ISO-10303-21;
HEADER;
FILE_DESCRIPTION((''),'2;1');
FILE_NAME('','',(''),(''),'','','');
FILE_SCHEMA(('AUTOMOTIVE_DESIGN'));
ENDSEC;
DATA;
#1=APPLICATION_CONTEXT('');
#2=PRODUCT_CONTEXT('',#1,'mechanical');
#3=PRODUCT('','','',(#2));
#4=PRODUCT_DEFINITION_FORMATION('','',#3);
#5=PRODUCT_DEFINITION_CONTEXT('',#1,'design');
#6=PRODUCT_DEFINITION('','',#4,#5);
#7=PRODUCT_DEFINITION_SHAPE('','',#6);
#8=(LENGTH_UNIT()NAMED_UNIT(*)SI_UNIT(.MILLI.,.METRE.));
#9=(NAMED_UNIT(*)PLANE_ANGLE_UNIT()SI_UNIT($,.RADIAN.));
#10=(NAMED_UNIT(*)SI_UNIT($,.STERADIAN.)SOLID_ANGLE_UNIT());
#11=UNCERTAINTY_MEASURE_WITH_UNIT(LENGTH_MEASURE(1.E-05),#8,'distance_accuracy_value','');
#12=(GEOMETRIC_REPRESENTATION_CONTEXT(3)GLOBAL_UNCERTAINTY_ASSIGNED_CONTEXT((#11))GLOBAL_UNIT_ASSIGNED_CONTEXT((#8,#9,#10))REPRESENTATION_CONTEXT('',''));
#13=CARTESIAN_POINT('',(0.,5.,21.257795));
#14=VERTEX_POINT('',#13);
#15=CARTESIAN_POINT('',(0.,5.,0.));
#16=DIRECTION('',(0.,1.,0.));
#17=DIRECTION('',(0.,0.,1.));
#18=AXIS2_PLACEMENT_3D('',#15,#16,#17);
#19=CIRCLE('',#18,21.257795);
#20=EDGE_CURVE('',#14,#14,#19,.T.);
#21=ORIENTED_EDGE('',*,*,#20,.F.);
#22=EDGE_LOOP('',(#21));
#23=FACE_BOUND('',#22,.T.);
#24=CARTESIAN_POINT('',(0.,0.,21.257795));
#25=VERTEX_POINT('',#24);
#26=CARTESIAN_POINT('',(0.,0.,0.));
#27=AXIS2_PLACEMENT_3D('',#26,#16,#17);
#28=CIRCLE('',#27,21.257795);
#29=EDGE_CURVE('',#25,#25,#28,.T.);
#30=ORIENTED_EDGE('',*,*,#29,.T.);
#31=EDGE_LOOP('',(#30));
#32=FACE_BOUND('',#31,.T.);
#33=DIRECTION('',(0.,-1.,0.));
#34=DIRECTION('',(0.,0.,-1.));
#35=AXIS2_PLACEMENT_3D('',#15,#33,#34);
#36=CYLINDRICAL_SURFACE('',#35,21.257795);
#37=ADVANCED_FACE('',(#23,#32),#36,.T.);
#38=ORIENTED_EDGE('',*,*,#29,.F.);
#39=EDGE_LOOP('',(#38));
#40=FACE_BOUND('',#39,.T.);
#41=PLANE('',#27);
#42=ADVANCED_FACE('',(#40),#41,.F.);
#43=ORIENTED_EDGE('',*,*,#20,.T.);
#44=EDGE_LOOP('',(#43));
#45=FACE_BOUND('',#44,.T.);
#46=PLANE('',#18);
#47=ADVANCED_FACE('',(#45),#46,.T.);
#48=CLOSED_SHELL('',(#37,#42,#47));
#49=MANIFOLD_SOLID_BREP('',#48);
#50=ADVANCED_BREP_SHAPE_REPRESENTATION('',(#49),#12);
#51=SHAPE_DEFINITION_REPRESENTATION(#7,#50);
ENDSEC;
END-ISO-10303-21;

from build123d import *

# Parameters (mm, degrees)
SKETCH1_R           = 21.257795363
BOSS_EXTRUDE1_DEPTH = 5


with BuildPart() as part:
    # Sketch1 → Boss-Extrude1 (new body)
    with BuildSketch(Plane(origin=(0, 0, 0), x_dir=(1, 0, 0), z_dir=(0, 1, 0))):
        with Locations(Location((0, 0, 0), (0, 0, 270))):
            Circle(SKETCH1_R)
    extrude(amount=BOSS_EXTRUDE1_DEPTH)


solid = part.part
